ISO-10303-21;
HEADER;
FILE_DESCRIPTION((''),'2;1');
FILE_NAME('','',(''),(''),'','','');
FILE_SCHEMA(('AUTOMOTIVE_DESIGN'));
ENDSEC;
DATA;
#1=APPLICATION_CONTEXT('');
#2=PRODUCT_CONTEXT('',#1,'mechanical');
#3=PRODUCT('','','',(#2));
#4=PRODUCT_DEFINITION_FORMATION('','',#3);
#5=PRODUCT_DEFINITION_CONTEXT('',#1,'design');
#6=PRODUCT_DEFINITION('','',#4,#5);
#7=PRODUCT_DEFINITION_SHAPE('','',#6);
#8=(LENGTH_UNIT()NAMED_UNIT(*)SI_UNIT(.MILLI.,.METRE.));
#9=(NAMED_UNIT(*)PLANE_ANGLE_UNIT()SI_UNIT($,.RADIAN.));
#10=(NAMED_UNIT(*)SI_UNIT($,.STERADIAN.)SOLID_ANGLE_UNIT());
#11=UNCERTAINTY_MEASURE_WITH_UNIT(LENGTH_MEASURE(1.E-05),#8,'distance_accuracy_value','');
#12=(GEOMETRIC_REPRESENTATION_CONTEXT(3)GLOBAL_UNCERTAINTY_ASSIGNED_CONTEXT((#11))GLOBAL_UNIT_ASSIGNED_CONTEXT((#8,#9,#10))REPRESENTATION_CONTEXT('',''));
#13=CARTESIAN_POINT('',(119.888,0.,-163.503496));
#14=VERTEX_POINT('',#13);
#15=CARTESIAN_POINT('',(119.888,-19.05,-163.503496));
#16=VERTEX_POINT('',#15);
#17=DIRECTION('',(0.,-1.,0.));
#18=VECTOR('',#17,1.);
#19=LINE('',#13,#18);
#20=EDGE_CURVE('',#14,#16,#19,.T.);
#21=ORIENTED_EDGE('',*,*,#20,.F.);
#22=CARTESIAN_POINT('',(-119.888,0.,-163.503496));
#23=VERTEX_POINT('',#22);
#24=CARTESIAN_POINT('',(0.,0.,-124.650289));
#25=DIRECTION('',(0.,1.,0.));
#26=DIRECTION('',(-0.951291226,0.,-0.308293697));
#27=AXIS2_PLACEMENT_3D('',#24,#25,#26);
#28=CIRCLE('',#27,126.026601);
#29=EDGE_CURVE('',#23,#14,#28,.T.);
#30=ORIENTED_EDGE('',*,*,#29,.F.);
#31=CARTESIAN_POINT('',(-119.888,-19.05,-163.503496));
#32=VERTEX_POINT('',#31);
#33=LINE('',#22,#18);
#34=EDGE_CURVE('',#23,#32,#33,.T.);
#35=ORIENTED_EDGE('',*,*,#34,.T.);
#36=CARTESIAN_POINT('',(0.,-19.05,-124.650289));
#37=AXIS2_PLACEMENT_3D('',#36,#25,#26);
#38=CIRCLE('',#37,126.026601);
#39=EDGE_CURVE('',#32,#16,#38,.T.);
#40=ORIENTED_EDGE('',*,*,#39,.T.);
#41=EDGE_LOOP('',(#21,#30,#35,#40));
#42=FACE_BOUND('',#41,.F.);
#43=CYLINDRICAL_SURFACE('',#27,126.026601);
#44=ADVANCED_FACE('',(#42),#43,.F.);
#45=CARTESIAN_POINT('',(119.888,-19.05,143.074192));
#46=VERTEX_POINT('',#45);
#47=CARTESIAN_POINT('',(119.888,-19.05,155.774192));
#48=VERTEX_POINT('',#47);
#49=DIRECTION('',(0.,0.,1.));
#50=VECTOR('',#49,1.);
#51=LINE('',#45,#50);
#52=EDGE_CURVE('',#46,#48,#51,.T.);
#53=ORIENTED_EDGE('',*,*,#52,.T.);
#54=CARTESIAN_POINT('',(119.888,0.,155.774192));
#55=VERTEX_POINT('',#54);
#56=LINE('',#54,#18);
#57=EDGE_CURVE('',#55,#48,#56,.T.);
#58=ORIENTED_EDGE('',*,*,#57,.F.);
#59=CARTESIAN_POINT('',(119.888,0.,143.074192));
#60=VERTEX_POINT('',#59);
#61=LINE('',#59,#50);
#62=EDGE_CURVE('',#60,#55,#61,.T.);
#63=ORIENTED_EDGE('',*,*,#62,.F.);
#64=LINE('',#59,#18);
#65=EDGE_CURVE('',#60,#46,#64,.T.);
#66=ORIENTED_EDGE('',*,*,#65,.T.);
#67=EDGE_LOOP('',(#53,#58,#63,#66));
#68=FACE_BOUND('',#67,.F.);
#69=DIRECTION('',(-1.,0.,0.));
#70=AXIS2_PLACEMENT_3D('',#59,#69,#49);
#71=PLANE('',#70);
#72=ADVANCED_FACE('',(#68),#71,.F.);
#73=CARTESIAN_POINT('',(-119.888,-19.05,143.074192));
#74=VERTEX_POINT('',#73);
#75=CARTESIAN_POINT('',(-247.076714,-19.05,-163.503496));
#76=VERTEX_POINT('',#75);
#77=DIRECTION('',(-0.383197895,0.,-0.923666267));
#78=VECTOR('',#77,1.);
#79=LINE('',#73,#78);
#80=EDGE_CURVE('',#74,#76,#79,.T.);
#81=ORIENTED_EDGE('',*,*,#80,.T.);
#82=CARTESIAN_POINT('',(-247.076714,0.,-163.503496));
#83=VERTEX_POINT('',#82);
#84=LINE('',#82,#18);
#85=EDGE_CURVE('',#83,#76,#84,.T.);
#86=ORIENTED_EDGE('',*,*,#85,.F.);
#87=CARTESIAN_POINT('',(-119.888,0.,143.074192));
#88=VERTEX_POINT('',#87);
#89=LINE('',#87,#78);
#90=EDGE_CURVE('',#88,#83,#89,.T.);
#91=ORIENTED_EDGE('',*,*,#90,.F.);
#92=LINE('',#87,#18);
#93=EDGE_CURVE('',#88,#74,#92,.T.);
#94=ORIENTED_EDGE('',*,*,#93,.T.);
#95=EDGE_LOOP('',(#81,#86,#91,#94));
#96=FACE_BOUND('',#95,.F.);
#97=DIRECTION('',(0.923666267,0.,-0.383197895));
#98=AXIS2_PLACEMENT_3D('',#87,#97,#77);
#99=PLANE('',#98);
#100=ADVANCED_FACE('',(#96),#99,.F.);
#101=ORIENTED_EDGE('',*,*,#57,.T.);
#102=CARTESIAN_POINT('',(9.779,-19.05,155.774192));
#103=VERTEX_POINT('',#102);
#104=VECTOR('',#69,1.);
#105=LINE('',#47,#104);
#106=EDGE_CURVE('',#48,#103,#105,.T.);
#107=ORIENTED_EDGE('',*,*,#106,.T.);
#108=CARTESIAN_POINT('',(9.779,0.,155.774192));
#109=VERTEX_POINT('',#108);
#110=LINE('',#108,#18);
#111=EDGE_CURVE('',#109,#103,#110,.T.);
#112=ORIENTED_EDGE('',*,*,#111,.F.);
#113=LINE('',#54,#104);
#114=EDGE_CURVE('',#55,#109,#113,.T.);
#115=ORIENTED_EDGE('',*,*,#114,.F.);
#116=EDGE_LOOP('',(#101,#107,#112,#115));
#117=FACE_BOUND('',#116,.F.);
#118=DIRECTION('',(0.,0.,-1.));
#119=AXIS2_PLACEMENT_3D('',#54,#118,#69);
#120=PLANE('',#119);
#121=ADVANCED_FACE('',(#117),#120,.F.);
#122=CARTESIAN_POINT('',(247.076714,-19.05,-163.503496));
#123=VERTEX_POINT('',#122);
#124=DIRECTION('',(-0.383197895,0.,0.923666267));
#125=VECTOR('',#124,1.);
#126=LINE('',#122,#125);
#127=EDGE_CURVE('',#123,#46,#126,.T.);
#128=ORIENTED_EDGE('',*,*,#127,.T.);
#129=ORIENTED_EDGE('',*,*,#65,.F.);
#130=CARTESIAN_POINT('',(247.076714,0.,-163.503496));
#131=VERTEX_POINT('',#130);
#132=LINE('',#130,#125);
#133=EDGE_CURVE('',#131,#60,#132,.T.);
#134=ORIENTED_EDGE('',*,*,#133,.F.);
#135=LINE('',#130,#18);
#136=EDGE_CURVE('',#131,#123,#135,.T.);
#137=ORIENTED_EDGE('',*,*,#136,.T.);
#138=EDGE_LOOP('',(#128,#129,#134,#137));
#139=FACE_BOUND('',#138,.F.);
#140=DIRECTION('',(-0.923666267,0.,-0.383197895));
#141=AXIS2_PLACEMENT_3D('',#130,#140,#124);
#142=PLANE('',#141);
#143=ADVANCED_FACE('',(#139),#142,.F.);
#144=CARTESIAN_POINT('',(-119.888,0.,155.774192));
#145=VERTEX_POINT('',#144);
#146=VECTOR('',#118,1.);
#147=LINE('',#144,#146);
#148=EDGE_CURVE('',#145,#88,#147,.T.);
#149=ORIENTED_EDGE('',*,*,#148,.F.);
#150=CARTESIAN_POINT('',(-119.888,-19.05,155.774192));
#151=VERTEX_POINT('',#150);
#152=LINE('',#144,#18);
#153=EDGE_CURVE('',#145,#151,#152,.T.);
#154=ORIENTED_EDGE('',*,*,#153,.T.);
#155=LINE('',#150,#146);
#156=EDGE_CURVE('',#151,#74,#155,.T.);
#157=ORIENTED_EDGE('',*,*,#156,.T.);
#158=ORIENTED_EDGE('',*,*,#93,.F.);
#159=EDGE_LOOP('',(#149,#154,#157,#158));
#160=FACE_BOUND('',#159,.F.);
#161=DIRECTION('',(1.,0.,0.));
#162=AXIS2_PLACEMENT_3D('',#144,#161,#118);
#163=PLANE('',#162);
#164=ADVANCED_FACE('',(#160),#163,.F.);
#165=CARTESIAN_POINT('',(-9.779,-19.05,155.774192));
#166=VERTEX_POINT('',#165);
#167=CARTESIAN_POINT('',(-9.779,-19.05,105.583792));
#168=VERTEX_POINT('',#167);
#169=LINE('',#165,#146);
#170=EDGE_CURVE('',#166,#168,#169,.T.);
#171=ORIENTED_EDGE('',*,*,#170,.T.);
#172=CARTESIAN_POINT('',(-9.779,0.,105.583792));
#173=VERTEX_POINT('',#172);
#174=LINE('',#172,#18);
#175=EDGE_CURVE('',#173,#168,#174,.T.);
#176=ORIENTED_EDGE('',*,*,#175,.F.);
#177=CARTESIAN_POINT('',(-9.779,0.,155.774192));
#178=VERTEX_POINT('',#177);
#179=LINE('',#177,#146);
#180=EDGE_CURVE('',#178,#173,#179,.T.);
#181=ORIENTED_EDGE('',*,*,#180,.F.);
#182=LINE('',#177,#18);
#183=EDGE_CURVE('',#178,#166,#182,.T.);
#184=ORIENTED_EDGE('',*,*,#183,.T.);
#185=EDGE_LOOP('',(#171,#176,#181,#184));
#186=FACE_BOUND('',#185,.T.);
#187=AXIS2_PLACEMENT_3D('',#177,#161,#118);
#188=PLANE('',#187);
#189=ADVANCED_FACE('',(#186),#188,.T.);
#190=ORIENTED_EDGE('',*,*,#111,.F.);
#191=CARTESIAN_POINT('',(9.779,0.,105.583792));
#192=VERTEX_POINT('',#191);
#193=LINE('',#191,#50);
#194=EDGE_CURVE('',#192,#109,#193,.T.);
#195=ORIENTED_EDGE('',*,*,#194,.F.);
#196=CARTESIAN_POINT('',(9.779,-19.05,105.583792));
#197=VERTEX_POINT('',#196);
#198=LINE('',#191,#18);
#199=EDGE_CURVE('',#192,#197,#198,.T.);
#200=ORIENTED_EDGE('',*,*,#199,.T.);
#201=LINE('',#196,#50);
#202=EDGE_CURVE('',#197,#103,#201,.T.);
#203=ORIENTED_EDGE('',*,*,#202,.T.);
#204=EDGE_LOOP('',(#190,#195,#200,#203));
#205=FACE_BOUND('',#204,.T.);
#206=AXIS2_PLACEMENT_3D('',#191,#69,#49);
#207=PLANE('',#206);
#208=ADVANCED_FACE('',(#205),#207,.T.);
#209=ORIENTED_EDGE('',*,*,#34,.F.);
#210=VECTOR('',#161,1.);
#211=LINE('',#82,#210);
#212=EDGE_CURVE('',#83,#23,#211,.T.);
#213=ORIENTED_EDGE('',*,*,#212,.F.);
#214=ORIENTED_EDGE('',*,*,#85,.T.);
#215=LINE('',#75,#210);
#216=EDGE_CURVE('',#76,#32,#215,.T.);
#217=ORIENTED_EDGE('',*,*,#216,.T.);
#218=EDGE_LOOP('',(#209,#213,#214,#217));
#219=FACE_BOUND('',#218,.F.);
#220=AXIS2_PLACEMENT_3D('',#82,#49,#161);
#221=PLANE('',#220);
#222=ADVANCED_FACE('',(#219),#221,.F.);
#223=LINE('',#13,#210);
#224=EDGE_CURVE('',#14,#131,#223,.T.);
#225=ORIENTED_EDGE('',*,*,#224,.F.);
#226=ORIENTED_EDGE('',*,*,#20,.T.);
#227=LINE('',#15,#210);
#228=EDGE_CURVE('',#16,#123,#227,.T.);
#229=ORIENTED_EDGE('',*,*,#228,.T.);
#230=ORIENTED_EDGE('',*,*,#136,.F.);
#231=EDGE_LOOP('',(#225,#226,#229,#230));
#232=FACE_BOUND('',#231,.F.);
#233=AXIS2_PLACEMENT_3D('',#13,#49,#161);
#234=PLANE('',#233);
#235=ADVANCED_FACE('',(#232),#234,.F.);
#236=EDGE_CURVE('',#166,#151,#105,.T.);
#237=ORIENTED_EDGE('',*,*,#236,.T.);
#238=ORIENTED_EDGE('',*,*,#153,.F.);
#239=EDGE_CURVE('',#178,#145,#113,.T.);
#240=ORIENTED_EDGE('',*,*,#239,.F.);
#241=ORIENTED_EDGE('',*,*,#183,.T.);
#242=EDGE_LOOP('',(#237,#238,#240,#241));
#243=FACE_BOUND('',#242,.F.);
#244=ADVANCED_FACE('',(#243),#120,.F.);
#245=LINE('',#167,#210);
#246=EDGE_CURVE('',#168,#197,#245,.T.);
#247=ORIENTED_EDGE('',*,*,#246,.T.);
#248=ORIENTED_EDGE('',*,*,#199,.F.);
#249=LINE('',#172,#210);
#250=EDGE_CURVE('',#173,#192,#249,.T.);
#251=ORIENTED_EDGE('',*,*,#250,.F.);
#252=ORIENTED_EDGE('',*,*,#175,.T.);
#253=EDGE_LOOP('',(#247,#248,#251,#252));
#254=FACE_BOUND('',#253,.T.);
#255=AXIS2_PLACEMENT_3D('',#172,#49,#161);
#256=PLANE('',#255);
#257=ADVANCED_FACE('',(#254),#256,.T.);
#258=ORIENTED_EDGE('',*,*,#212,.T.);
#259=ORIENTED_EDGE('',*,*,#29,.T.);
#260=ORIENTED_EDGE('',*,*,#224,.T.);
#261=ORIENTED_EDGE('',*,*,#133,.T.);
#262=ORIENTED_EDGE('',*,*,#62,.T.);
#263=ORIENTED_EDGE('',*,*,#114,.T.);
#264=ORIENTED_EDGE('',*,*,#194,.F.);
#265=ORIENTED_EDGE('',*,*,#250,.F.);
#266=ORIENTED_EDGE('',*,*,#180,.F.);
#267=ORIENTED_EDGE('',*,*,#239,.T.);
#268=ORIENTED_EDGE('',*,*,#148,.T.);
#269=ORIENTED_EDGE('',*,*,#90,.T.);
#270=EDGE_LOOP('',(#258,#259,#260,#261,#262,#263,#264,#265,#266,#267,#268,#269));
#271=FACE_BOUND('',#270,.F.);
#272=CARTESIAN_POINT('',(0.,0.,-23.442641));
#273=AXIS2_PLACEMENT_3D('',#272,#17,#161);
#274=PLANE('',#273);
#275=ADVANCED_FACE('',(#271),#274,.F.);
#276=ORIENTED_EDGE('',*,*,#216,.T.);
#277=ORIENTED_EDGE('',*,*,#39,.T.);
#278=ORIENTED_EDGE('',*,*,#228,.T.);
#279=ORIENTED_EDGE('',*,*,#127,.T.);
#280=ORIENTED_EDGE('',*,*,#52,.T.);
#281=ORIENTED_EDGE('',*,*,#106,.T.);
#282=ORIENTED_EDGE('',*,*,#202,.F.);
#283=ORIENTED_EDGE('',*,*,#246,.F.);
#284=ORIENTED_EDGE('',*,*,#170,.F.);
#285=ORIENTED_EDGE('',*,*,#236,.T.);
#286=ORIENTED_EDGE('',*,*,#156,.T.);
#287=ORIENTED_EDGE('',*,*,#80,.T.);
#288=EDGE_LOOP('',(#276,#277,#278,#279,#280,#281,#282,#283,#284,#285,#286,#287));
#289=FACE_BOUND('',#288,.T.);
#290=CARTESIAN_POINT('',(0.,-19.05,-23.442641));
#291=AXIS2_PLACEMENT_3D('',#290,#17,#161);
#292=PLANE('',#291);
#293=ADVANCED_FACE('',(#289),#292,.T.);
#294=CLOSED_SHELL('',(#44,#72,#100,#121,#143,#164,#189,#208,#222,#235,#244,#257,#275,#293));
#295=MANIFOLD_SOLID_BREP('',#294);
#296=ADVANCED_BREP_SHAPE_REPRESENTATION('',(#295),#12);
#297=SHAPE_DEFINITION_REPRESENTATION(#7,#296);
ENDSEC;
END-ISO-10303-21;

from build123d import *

# Parameters (mm, degrees)
F1_DEPTH = 19.05
F3_DEPTH = 19.05


with BuildPart() as f1:
    # F0 (on Front) → F1 (new body)
    with BuildSketch(Plane.XZ):
        with BuildLine():
            Line((119.888, 155.774192), (0, 155.774192))
            Line((0, 155.774192), (-119.888, 155.774192))
            Line((-119.888, 155.774192), (-119.888, 143.074192))
            Line((-119.888, 143.074192), (-247.076714, -163.503496))
            Line((-247.076714, -163.503496), (-119.888, -163.503496))
            ThreePointArc((-119.888, -163.503496), (0, 1.376312), (119.888, -163.503496))
            Line((119.888, -163.503496), (247.076714, -163.503496))
            Line((247.076714, -163.503496), (119.888, 143.074192))
            Line((119.888, 143.074192), (119.888, 155.774192))
        make_face()
    extrude(amount=F1_DEPTH)

    # F2 (on Front) → F3 (cut)
    with BuildSketch(Plane.XZ):
        Polygon((-9.779, 105.583792), (0, 105.583792), (9.779, 105.583792), (9.779, 155.774192), (0, 155.774192), (-9.779, 155.774192), align=None)
    extrude(amount=F3_DEPTH, mode=Mode.SUBTRACT)


solid = f1.part
